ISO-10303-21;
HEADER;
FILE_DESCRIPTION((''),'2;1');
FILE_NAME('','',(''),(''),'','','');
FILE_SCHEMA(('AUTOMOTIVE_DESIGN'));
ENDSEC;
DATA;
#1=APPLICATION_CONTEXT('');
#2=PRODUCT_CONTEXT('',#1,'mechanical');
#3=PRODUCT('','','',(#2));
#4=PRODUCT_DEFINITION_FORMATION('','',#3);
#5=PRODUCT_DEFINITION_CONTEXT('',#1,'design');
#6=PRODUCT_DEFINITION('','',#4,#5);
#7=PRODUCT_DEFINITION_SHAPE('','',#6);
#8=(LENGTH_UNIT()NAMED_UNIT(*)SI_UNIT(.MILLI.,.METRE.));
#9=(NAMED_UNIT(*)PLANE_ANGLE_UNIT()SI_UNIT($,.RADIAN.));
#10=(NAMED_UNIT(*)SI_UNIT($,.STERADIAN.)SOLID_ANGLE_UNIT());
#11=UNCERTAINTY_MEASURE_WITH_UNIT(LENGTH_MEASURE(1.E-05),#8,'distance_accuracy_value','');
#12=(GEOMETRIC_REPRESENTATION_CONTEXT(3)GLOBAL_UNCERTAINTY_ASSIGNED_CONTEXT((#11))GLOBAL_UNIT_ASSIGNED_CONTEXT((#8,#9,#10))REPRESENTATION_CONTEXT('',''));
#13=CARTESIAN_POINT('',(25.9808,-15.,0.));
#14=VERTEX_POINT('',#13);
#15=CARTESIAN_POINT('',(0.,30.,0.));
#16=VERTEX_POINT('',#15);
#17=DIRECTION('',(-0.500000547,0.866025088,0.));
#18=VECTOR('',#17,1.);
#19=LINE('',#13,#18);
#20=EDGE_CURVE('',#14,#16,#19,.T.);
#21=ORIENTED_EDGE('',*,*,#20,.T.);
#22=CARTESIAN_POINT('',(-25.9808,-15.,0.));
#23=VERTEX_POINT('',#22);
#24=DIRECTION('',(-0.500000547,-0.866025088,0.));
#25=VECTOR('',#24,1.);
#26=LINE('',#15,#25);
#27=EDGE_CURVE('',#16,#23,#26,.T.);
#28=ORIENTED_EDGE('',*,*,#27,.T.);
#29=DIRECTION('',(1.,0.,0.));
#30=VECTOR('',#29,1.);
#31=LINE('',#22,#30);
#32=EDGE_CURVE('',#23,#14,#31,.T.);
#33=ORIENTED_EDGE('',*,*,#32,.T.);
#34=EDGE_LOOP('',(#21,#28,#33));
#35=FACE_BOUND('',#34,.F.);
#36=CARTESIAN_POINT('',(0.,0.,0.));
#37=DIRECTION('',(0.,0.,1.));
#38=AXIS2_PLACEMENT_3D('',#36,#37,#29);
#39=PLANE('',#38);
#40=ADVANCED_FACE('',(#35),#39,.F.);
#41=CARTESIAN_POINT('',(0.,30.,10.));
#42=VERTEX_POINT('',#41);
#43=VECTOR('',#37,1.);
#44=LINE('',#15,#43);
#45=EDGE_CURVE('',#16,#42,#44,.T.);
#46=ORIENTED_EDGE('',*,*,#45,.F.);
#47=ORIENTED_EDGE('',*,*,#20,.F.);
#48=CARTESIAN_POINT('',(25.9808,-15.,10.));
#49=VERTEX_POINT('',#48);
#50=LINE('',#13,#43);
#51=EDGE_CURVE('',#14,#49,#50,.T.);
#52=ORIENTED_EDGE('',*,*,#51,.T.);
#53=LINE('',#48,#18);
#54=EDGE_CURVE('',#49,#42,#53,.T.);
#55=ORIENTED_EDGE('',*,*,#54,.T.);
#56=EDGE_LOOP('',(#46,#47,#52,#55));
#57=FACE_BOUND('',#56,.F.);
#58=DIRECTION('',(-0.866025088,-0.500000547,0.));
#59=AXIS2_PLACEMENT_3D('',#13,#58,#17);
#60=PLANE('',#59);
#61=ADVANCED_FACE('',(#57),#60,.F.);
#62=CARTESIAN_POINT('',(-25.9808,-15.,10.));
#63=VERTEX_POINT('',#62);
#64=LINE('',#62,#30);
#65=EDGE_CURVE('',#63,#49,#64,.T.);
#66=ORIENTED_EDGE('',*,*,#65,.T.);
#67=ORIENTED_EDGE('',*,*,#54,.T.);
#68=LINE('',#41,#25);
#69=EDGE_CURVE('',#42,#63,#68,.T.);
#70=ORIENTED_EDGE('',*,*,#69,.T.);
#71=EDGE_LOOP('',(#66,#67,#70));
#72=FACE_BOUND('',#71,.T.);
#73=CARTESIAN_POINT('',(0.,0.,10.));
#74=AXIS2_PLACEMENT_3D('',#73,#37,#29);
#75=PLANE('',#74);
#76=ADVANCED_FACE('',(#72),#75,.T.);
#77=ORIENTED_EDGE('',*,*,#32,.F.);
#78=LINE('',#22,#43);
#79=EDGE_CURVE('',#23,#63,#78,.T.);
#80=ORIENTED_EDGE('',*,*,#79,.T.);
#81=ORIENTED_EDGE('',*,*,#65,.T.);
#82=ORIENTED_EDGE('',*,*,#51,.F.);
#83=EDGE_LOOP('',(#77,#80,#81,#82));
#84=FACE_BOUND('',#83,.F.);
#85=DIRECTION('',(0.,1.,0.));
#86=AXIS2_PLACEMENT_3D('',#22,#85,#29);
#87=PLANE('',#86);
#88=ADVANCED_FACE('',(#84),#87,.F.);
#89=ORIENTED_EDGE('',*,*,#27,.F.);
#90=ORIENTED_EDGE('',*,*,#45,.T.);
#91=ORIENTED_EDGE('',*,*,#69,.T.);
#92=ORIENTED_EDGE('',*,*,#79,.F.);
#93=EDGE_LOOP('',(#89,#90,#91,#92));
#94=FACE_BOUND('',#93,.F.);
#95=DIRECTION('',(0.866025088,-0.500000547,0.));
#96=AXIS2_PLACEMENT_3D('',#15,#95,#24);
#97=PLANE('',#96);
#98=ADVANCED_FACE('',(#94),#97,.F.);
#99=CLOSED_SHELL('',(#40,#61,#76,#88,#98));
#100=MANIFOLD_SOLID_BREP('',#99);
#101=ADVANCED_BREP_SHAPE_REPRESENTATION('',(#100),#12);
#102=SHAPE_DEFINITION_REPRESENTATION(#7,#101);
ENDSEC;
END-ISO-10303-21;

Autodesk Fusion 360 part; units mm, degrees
sketch "Sketch1" plane through (0, 0, 0) normal (0, 0, 1) x (1, 0, 0)
  line L0 (0, 30) -> (-25.9808, -15)
  line L1 (-25.9808, -15) -> (25.9808, -15)
  line L2 (25.9808, -15) -> (0, 30)
  dimension "d1" = 30
extrude "Extrude1" add sketch "Sketch1" along normal blind 10
